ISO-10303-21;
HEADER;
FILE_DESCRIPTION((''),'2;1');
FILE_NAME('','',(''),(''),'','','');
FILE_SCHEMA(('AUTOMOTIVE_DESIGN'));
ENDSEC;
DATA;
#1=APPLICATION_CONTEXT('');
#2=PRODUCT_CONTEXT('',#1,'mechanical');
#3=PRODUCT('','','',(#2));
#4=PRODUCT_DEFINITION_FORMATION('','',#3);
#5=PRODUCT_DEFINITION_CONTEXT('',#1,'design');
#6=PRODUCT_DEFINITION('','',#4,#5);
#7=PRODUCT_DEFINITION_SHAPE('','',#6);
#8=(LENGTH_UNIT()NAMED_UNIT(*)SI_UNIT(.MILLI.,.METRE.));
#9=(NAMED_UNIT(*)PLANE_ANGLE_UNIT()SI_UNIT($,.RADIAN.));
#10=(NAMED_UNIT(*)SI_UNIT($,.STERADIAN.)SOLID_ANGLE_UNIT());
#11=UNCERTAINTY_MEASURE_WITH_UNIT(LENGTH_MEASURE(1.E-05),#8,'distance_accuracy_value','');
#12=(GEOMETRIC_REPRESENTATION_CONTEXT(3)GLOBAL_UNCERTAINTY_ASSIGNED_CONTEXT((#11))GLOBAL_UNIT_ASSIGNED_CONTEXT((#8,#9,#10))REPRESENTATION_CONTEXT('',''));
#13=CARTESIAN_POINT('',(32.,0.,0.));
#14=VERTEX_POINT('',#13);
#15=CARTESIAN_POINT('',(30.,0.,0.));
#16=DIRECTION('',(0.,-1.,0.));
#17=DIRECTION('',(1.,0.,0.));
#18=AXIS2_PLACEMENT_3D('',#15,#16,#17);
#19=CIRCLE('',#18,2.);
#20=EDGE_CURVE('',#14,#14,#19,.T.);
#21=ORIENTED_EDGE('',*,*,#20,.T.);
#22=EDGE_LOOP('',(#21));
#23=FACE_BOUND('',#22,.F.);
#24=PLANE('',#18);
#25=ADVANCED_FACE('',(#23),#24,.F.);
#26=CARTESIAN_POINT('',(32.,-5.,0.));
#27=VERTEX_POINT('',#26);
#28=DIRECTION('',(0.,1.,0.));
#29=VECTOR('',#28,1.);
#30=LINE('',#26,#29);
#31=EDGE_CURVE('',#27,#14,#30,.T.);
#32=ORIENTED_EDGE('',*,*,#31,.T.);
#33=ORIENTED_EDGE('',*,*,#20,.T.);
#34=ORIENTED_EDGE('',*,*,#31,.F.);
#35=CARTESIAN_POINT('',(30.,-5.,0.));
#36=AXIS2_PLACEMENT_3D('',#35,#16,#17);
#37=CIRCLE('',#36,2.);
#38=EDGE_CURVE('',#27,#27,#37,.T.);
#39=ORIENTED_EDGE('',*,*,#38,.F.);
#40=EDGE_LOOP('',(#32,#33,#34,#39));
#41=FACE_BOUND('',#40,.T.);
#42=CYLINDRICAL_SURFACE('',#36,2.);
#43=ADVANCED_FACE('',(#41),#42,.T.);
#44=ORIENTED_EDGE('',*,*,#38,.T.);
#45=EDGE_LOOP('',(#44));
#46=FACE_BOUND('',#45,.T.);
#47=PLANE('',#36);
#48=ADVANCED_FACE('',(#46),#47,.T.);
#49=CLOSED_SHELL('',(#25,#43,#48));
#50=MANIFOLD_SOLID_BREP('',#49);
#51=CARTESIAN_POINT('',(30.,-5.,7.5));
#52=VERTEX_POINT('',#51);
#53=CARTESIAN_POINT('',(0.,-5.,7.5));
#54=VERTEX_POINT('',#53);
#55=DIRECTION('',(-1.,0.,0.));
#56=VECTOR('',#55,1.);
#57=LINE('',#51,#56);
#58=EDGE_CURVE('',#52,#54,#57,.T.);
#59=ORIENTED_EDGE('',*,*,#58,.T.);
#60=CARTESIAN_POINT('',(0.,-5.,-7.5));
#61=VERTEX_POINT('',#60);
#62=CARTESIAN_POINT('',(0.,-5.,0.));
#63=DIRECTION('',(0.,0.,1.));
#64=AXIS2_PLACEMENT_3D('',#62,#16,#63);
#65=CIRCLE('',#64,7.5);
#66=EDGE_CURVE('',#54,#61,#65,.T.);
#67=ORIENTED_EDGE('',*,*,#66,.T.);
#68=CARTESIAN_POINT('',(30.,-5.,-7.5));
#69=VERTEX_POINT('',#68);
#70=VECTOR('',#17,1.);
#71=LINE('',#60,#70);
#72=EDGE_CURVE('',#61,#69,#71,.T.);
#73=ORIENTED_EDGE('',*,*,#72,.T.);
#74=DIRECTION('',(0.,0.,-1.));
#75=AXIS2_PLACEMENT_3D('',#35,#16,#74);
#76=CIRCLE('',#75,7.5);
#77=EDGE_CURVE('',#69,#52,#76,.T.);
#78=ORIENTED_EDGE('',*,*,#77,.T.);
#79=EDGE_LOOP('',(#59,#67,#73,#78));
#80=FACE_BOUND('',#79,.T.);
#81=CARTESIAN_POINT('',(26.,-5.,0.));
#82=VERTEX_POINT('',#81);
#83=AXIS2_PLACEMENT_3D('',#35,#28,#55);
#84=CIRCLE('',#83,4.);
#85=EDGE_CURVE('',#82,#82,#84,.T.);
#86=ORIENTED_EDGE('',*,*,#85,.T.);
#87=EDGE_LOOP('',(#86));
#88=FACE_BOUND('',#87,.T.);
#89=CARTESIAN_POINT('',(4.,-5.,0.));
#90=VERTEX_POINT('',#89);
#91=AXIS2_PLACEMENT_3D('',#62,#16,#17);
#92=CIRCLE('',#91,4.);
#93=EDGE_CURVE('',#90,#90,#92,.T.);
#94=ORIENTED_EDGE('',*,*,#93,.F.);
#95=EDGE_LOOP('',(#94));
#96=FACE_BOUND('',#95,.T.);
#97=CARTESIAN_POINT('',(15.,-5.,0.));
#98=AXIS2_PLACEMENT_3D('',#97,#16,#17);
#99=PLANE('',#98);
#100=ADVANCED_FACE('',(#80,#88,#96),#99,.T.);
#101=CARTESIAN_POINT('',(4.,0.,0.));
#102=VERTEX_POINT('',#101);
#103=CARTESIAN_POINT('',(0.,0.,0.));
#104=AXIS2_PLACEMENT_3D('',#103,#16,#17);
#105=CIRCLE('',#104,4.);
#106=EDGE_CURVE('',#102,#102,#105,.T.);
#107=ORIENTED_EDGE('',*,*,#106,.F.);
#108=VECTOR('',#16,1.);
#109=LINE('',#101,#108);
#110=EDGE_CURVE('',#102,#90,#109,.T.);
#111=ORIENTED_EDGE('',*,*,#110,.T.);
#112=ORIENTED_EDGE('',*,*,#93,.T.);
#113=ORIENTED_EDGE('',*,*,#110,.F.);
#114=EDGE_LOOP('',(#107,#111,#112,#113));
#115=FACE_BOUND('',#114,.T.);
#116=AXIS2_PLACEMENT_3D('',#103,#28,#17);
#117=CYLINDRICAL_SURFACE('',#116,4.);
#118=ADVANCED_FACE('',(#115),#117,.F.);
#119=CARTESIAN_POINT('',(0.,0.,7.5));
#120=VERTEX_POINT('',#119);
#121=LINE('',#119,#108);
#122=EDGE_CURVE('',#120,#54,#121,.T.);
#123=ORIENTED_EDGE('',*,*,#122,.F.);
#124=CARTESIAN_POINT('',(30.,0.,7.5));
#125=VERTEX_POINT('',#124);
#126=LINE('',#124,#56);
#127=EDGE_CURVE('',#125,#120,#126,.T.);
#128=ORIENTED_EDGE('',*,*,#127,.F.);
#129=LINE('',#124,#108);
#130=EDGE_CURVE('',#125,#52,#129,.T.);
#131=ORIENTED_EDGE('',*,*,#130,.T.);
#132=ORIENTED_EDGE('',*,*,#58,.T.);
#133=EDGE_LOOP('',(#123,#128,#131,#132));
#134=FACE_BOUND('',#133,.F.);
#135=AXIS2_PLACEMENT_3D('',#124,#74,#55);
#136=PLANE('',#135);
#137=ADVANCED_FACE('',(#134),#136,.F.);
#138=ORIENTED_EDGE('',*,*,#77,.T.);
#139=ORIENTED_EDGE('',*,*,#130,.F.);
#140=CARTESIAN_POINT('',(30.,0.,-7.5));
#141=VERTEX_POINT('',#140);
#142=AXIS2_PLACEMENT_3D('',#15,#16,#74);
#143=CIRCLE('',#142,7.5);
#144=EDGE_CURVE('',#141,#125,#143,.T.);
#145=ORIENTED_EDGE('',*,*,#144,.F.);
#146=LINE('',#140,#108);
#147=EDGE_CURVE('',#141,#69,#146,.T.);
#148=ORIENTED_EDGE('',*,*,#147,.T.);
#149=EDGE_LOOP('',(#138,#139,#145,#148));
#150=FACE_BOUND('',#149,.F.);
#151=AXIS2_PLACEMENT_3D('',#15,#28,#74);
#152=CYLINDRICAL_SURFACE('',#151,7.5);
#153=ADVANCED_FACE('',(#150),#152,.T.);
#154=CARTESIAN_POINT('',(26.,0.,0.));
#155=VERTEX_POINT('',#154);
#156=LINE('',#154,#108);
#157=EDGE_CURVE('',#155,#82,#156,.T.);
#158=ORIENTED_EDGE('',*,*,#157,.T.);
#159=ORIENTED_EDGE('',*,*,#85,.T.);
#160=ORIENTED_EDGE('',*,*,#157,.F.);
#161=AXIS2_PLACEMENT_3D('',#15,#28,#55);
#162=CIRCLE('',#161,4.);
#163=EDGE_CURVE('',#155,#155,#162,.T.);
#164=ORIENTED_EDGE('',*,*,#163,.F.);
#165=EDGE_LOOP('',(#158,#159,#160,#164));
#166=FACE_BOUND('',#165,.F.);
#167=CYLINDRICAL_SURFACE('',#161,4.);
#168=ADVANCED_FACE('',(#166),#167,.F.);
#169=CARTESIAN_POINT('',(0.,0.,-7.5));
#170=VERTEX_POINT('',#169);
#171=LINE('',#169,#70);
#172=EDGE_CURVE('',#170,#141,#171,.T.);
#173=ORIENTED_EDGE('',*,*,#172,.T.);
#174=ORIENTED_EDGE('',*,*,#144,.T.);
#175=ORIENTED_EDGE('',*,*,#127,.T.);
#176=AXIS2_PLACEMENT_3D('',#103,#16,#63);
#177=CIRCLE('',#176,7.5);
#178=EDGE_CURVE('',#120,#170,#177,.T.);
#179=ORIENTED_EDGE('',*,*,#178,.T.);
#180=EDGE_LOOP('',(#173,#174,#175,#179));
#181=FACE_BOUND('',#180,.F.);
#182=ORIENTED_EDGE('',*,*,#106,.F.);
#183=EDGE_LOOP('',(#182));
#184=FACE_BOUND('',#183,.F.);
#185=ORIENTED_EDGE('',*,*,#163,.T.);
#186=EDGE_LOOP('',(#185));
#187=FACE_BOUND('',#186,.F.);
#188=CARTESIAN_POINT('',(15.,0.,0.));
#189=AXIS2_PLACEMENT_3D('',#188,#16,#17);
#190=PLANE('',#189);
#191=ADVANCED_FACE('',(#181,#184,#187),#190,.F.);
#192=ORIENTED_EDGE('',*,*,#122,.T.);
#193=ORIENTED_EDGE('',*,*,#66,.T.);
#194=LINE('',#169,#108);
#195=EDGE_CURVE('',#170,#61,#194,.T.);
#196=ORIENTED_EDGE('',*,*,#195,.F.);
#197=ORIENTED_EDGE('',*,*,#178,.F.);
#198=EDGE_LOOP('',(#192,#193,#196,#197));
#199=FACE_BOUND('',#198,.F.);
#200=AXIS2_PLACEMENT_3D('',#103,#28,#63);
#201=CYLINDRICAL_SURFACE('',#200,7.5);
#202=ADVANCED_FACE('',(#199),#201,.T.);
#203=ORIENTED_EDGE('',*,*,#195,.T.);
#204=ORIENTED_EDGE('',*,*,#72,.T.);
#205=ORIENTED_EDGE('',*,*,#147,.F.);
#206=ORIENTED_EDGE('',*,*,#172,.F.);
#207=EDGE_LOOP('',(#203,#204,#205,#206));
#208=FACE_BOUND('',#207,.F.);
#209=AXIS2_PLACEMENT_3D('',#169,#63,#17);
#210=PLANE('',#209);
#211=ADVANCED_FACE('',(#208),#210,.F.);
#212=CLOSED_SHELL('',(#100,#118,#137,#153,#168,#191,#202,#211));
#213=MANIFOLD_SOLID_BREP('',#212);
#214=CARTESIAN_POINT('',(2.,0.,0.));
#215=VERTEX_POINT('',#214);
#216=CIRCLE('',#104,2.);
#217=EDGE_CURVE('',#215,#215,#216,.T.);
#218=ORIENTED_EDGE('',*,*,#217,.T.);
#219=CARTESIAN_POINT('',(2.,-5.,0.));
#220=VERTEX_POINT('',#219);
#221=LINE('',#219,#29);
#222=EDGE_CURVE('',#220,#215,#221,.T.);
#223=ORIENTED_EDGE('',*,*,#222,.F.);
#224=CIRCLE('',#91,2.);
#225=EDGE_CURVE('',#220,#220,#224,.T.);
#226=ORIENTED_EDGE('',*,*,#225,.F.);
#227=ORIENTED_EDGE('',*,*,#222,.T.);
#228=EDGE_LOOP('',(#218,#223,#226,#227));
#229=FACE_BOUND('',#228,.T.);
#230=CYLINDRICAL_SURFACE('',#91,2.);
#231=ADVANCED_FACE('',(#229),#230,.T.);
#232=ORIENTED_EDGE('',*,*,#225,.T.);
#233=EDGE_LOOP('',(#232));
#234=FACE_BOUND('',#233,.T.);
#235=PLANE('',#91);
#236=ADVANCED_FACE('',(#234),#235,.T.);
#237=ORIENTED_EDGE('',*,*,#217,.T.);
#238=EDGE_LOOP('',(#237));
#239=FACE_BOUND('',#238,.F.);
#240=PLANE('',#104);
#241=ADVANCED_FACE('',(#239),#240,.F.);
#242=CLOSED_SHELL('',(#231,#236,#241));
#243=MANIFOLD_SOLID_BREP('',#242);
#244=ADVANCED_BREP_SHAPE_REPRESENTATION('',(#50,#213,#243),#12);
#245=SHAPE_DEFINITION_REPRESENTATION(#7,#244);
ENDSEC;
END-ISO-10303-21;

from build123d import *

# Parameters (mm, degrees)
F0_R     = 4
F1_DEPTH = 5
F2_R     = 2
F3_DEPTH = 5


with BuildPart() as f1:
    # F0 (on Front) → F1 (new body)
    with BuildSketch(Plane.XZ):
        with BuildLine():
            Line((30, 7.5), (0, 7.5))
            ThreePointArc((0, 7.5), (-7.5, 0), (0, -7.5))
            Line((0, -7.5), (30, -7.5))
            ThreePointArc((30, -7.5), (37.5, 0), (30, 7.5))
        make_face()
        Circle(F0_R, mode=Mode.SUBTRACT)
        with BuildLine():
            ThreePointArc((34, 0), (30, -4), (26, 0))
            ThreePointArc((26, 0), (30, 4), (34, 0))
        make_face(mode=Mode.SUBTRACT)
    extrude(amount=F1_DEPTH)


with BuildPart() as f3:
    # F2 (on face) → F3 (new body)
    with BuildSketch(Plane.XZ.offset(5)):
        with Locations((30, 0)):
            Circle(F2_R)
        Circle(F2_R)
    extrude(amount=-F3_DEPTH)


solid = Compound([f1.part, f3.part])
